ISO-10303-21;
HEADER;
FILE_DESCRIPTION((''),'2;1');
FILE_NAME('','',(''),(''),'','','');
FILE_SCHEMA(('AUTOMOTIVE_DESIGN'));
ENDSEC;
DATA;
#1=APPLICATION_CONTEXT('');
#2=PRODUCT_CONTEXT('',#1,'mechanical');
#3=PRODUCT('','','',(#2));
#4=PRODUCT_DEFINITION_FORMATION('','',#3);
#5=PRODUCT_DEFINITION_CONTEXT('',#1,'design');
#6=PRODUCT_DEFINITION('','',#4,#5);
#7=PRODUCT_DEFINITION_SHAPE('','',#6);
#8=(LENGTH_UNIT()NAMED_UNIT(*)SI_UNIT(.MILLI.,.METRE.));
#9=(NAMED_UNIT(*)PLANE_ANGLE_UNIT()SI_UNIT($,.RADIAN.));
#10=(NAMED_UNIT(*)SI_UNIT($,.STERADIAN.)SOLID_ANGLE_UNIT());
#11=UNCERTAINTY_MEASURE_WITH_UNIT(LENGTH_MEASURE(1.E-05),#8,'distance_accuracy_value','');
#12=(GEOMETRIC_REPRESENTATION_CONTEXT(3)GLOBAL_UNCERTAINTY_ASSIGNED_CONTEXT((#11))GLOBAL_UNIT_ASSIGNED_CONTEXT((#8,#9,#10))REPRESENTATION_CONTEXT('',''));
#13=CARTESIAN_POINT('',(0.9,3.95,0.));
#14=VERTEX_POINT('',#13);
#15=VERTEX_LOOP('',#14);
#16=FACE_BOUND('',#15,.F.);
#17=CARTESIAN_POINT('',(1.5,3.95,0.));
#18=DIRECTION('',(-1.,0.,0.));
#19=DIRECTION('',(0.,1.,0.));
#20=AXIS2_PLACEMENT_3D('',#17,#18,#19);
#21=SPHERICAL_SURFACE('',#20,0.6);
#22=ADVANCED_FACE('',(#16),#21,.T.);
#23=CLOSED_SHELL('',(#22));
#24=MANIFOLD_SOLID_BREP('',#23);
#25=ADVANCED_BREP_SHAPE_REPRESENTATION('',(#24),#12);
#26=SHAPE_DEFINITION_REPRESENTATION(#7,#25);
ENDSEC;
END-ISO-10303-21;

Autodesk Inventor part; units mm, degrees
ref_plane "YZ Plane" through (0, 0, 0) normal (1, 0, 0) x (0, 1, 0)
ref_plane "XZ Plane" through (0, 0, 0) normal (0, 1, 0) x (-1, 0, 0)
ref_plane "XY Plane" through (0, 0, 0) normal (0, 0, 1) x (1, 0, 0)
sketch "Sketch_6" plane through (0, 0, 0) normal (0, 0, 1) x (1, 0, 0)
  line L0 (2.1, 3.95) -> (0.9, 3.95)
  arc A0 (2.1, 3.95) -> (0.9, 3.95) centre (1.5, 3.95) ccw
  line L1 (2.1, 3.95) -> (0.9, 3.95)
  dimension "d0" = 360
revolve "Revolution1" add sketch "Sketch_6" angle 360 about axis through (2.1, 3.95, 0) along (1, 0, 0)
properties part number "W 627/6-2Z_PART3"
